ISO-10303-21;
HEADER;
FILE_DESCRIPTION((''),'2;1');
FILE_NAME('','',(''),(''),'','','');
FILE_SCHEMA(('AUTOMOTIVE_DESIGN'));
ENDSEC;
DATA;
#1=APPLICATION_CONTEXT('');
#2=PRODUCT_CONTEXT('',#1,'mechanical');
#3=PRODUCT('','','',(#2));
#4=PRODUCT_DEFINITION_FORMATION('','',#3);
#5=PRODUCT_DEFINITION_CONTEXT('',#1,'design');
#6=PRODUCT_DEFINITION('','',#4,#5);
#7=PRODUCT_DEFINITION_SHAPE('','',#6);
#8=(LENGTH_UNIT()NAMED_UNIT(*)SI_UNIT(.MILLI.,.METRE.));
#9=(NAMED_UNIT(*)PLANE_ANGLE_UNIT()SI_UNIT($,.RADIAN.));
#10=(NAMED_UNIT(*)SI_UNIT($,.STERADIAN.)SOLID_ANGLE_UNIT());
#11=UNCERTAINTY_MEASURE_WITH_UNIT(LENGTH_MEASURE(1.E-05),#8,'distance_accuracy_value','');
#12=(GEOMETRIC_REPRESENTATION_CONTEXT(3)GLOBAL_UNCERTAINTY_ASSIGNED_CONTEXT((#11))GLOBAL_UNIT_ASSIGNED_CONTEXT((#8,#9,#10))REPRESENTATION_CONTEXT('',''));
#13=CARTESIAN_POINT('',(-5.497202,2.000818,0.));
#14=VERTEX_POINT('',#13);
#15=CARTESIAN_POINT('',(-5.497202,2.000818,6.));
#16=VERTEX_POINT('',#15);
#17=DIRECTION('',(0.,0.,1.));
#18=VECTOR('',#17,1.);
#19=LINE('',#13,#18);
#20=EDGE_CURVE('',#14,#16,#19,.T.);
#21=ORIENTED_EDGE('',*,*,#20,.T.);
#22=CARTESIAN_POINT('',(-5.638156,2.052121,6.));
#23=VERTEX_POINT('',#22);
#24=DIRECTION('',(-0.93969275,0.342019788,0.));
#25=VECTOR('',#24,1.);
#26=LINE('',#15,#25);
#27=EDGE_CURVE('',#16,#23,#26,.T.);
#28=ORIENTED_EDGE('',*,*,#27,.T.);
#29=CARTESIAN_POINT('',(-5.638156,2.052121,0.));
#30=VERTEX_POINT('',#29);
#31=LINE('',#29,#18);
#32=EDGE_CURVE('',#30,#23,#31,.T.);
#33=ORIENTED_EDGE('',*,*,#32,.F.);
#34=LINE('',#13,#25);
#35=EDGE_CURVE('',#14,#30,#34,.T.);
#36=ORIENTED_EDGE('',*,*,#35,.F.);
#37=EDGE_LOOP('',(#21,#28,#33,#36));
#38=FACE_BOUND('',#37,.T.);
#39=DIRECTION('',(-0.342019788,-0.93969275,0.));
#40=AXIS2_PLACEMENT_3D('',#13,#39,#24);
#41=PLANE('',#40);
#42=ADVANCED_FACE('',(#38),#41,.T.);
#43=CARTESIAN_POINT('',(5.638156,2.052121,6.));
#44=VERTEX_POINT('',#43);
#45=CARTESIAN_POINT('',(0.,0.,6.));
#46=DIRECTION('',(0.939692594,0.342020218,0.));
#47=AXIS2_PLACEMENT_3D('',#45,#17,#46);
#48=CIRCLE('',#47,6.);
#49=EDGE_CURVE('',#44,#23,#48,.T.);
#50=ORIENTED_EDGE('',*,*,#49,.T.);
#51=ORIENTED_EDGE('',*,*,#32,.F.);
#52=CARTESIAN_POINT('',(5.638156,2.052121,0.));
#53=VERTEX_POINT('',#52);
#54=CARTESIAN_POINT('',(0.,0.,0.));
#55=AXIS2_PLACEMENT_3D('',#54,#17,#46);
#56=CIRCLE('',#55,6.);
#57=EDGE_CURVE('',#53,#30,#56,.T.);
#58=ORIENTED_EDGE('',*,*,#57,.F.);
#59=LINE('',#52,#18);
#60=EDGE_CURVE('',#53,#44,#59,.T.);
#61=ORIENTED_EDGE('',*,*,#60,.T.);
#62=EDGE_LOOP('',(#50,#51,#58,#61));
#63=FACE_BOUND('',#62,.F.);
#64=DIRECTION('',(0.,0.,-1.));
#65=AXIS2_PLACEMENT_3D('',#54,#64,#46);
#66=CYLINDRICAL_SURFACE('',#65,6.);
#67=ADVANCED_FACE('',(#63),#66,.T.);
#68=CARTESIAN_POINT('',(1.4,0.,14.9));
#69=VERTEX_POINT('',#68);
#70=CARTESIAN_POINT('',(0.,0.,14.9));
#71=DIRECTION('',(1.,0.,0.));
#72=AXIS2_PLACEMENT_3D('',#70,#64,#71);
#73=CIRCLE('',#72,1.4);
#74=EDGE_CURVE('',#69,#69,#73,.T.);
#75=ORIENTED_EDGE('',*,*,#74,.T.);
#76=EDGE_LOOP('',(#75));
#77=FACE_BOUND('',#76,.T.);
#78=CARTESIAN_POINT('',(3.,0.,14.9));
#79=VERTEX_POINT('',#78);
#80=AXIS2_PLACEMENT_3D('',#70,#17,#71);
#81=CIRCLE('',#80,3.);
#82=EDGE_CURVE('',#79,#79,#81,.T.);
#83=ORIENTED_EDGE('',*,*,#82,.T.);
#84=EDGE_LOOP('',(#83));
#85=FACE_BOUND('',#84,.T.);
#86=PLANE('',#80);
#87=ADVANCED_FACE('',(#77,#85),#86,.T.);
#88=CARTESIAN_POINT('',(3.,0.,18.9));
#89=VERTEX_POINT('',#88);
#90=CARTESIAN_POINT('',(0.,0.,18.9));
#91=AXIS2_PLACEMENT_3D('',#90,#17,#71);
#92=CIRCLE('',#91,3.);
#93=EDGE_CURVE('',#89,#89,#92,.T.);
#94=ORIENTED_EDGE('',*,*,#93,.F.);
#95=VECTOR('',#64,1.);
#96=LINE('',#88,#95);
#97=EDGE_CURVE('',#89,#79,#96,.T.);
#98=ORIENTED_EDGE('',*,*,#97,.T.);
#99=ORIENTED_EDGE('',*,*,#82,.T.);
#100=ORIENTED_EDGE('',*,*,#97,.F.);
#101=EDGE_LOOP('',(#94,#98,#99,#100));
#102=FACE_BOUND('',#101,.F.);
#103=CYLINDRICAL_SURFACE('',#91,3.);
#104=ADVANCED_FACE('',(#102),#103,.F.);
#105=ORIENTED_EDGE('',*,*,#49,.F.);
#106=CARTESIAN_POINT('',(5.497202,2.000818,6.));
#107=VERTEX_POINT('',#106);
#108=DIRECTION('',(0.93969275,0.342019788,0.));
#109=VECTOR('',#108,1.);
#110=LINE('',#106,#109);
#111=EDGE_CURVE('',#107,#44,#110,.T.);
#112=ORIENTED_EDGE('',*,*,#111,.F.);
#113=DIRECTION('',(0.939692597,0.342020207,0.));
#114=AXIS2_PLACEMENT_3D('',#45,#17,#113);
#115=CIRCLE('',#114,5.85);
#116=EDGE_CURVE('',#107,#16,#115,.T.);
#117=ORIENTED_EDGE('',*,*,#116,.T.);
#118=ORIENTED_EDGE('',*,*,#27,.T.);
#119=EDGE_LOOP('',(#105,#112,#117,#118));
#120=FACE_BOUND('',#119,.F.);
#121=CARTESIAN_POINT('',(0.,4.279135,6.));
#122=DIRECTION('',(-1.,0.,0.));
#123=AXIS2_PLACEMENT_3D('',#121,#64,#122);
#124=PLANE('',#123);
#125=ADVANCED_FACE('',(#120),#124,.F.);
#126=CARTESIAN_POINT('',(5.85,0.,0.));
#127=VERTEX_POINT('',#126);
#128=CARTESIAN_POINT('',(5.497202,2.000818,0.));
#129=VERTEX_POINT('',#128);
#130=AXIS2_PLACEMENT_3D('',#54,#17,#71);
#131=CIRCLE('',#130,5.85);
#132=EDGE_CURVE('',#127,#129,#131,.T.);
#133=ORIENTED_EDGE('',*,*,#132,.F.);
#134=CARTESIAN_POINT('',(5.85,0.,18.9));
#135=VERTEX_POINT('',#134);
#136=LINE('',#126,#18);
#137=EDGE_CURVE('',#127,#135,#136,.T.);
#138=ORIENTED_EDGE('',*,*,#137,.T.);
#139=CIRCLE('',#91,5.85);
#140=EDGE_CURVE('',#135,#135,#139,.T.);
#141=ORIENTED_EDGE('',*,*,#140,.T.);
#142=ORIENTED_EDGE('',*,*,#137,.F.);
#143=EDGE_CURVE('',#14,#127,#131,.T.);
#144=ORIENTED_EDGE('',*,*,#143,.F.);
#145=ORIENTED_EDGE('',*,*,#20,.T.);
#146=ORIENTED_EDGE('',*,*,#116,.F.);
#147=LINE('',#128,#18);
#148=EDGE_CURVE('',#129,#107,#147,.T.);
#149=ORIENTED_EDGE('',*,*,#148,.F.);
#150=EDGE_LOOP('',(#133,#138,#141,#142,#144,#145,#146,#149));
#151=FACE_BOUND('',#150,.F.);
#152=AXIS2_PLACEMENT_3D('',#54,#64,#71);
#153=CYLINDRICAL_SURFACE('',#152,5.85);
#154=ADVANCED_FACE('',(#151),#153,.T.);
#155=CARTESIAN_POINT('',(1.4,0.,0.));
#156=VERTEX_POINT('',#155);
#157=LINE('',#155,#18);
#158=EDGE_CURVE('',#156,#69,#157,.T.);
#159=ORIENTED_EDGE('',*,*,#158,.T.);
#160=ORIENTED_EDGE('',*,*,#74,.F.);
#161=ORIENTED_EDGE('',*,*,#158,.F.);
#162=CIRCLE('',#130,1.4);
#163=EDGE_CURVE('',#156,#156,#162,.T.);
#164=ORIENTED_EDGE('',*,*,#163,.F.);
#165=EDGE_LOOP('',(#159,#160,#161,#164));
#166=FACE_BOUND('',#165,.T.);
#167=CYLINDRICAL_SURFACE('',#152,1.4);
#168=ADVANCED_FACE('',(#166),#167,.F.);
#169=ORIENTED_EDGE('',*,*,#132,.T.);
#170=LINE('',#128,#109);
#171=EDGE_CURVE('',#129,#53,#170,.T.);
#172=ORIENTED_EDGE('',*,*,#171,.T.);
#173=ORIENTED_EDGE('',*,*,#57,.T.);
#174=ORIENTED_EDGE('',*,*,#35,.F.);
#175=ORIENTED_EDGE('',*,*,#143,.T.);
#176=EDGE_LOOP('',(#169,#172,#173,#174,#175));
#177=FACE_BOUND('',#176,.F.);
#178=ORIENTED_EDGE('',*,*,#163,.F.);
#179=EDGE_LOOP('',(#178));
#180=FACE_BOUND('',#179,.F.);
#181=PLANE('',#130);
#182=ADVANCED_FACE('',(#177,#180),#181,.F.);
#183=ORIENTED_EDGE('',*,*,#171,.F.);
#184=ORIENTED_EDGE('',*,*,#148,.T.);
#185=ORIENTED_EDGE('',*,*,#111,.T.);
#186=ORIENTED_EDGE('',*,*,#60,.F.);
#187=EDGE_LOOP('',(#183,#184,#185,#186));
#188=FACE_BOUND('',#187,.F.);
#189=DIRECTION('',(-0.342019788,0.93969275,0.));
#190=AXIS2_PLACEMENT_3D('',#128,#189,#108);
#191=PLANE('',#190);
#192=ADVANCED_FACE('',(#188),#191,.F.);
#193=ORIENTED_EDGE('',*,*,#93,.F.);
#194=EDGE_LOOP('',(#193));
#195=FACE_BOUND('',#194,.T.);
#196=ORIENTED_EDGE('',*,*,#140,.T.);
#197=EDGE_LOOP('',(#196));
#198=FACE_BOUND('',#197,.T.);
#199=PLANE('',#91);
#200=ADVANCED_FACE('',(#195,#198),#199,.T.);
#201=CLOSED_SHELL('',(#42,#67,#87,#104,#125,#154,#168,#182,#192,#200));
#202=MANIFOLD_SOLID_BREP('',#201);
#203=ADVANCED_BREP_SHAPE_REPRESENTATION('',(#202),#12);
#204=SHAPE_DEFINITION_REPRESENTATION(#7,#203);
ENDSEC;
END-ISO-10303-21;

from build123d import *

# Parameters (mm, degrees)
SKETCH011_R     = 5.85
SKETCH011_R_2   = 1.4
PAD002_DEPTH    = 18.9
PAD007_DEPTH    = 6
SKETCH013_R     = 3
POCKET009_DEPTH = 4


with BuildPart() as part:
    # Sketch011 → Pad002 (new body)
    with BuildSketch(Plane.XY):
        Circle(SKETCH011_R)
        Circle(SKETCH011_R_2, mode=Mode.SUBTRACT)
    extrude(amount=PAD002_DEPTH)

    # Sketch012 → Pad007 (join)
    with BuildSketch(Plane.XY):
        with BuildLine():
            ThreePointArc((5.497202, 2.000818), (0, 5.85), (-5.497202, 2.000818))
            Line((-5.497202, 2.000818), (-5.638156, 2.052121))
            ThreePointArc((5.638156, 2.052121), (0, 6), (-5.638156, 2.052121))
            Line((5.497202, 2.000818), (5.638156, 2.052121))
        make_face()
    extrude(amount=PAD007_DEPTH)

    # Sketch013 → Pocket009 (cut)
    with BuildSketch(Plane.XY.offset(18.9)):
        Circle(SKETCH013_R)
    extrude(amount=-POCKET009_DEPTH, mode=Mode.SUBTRACT)


solid = part.part
